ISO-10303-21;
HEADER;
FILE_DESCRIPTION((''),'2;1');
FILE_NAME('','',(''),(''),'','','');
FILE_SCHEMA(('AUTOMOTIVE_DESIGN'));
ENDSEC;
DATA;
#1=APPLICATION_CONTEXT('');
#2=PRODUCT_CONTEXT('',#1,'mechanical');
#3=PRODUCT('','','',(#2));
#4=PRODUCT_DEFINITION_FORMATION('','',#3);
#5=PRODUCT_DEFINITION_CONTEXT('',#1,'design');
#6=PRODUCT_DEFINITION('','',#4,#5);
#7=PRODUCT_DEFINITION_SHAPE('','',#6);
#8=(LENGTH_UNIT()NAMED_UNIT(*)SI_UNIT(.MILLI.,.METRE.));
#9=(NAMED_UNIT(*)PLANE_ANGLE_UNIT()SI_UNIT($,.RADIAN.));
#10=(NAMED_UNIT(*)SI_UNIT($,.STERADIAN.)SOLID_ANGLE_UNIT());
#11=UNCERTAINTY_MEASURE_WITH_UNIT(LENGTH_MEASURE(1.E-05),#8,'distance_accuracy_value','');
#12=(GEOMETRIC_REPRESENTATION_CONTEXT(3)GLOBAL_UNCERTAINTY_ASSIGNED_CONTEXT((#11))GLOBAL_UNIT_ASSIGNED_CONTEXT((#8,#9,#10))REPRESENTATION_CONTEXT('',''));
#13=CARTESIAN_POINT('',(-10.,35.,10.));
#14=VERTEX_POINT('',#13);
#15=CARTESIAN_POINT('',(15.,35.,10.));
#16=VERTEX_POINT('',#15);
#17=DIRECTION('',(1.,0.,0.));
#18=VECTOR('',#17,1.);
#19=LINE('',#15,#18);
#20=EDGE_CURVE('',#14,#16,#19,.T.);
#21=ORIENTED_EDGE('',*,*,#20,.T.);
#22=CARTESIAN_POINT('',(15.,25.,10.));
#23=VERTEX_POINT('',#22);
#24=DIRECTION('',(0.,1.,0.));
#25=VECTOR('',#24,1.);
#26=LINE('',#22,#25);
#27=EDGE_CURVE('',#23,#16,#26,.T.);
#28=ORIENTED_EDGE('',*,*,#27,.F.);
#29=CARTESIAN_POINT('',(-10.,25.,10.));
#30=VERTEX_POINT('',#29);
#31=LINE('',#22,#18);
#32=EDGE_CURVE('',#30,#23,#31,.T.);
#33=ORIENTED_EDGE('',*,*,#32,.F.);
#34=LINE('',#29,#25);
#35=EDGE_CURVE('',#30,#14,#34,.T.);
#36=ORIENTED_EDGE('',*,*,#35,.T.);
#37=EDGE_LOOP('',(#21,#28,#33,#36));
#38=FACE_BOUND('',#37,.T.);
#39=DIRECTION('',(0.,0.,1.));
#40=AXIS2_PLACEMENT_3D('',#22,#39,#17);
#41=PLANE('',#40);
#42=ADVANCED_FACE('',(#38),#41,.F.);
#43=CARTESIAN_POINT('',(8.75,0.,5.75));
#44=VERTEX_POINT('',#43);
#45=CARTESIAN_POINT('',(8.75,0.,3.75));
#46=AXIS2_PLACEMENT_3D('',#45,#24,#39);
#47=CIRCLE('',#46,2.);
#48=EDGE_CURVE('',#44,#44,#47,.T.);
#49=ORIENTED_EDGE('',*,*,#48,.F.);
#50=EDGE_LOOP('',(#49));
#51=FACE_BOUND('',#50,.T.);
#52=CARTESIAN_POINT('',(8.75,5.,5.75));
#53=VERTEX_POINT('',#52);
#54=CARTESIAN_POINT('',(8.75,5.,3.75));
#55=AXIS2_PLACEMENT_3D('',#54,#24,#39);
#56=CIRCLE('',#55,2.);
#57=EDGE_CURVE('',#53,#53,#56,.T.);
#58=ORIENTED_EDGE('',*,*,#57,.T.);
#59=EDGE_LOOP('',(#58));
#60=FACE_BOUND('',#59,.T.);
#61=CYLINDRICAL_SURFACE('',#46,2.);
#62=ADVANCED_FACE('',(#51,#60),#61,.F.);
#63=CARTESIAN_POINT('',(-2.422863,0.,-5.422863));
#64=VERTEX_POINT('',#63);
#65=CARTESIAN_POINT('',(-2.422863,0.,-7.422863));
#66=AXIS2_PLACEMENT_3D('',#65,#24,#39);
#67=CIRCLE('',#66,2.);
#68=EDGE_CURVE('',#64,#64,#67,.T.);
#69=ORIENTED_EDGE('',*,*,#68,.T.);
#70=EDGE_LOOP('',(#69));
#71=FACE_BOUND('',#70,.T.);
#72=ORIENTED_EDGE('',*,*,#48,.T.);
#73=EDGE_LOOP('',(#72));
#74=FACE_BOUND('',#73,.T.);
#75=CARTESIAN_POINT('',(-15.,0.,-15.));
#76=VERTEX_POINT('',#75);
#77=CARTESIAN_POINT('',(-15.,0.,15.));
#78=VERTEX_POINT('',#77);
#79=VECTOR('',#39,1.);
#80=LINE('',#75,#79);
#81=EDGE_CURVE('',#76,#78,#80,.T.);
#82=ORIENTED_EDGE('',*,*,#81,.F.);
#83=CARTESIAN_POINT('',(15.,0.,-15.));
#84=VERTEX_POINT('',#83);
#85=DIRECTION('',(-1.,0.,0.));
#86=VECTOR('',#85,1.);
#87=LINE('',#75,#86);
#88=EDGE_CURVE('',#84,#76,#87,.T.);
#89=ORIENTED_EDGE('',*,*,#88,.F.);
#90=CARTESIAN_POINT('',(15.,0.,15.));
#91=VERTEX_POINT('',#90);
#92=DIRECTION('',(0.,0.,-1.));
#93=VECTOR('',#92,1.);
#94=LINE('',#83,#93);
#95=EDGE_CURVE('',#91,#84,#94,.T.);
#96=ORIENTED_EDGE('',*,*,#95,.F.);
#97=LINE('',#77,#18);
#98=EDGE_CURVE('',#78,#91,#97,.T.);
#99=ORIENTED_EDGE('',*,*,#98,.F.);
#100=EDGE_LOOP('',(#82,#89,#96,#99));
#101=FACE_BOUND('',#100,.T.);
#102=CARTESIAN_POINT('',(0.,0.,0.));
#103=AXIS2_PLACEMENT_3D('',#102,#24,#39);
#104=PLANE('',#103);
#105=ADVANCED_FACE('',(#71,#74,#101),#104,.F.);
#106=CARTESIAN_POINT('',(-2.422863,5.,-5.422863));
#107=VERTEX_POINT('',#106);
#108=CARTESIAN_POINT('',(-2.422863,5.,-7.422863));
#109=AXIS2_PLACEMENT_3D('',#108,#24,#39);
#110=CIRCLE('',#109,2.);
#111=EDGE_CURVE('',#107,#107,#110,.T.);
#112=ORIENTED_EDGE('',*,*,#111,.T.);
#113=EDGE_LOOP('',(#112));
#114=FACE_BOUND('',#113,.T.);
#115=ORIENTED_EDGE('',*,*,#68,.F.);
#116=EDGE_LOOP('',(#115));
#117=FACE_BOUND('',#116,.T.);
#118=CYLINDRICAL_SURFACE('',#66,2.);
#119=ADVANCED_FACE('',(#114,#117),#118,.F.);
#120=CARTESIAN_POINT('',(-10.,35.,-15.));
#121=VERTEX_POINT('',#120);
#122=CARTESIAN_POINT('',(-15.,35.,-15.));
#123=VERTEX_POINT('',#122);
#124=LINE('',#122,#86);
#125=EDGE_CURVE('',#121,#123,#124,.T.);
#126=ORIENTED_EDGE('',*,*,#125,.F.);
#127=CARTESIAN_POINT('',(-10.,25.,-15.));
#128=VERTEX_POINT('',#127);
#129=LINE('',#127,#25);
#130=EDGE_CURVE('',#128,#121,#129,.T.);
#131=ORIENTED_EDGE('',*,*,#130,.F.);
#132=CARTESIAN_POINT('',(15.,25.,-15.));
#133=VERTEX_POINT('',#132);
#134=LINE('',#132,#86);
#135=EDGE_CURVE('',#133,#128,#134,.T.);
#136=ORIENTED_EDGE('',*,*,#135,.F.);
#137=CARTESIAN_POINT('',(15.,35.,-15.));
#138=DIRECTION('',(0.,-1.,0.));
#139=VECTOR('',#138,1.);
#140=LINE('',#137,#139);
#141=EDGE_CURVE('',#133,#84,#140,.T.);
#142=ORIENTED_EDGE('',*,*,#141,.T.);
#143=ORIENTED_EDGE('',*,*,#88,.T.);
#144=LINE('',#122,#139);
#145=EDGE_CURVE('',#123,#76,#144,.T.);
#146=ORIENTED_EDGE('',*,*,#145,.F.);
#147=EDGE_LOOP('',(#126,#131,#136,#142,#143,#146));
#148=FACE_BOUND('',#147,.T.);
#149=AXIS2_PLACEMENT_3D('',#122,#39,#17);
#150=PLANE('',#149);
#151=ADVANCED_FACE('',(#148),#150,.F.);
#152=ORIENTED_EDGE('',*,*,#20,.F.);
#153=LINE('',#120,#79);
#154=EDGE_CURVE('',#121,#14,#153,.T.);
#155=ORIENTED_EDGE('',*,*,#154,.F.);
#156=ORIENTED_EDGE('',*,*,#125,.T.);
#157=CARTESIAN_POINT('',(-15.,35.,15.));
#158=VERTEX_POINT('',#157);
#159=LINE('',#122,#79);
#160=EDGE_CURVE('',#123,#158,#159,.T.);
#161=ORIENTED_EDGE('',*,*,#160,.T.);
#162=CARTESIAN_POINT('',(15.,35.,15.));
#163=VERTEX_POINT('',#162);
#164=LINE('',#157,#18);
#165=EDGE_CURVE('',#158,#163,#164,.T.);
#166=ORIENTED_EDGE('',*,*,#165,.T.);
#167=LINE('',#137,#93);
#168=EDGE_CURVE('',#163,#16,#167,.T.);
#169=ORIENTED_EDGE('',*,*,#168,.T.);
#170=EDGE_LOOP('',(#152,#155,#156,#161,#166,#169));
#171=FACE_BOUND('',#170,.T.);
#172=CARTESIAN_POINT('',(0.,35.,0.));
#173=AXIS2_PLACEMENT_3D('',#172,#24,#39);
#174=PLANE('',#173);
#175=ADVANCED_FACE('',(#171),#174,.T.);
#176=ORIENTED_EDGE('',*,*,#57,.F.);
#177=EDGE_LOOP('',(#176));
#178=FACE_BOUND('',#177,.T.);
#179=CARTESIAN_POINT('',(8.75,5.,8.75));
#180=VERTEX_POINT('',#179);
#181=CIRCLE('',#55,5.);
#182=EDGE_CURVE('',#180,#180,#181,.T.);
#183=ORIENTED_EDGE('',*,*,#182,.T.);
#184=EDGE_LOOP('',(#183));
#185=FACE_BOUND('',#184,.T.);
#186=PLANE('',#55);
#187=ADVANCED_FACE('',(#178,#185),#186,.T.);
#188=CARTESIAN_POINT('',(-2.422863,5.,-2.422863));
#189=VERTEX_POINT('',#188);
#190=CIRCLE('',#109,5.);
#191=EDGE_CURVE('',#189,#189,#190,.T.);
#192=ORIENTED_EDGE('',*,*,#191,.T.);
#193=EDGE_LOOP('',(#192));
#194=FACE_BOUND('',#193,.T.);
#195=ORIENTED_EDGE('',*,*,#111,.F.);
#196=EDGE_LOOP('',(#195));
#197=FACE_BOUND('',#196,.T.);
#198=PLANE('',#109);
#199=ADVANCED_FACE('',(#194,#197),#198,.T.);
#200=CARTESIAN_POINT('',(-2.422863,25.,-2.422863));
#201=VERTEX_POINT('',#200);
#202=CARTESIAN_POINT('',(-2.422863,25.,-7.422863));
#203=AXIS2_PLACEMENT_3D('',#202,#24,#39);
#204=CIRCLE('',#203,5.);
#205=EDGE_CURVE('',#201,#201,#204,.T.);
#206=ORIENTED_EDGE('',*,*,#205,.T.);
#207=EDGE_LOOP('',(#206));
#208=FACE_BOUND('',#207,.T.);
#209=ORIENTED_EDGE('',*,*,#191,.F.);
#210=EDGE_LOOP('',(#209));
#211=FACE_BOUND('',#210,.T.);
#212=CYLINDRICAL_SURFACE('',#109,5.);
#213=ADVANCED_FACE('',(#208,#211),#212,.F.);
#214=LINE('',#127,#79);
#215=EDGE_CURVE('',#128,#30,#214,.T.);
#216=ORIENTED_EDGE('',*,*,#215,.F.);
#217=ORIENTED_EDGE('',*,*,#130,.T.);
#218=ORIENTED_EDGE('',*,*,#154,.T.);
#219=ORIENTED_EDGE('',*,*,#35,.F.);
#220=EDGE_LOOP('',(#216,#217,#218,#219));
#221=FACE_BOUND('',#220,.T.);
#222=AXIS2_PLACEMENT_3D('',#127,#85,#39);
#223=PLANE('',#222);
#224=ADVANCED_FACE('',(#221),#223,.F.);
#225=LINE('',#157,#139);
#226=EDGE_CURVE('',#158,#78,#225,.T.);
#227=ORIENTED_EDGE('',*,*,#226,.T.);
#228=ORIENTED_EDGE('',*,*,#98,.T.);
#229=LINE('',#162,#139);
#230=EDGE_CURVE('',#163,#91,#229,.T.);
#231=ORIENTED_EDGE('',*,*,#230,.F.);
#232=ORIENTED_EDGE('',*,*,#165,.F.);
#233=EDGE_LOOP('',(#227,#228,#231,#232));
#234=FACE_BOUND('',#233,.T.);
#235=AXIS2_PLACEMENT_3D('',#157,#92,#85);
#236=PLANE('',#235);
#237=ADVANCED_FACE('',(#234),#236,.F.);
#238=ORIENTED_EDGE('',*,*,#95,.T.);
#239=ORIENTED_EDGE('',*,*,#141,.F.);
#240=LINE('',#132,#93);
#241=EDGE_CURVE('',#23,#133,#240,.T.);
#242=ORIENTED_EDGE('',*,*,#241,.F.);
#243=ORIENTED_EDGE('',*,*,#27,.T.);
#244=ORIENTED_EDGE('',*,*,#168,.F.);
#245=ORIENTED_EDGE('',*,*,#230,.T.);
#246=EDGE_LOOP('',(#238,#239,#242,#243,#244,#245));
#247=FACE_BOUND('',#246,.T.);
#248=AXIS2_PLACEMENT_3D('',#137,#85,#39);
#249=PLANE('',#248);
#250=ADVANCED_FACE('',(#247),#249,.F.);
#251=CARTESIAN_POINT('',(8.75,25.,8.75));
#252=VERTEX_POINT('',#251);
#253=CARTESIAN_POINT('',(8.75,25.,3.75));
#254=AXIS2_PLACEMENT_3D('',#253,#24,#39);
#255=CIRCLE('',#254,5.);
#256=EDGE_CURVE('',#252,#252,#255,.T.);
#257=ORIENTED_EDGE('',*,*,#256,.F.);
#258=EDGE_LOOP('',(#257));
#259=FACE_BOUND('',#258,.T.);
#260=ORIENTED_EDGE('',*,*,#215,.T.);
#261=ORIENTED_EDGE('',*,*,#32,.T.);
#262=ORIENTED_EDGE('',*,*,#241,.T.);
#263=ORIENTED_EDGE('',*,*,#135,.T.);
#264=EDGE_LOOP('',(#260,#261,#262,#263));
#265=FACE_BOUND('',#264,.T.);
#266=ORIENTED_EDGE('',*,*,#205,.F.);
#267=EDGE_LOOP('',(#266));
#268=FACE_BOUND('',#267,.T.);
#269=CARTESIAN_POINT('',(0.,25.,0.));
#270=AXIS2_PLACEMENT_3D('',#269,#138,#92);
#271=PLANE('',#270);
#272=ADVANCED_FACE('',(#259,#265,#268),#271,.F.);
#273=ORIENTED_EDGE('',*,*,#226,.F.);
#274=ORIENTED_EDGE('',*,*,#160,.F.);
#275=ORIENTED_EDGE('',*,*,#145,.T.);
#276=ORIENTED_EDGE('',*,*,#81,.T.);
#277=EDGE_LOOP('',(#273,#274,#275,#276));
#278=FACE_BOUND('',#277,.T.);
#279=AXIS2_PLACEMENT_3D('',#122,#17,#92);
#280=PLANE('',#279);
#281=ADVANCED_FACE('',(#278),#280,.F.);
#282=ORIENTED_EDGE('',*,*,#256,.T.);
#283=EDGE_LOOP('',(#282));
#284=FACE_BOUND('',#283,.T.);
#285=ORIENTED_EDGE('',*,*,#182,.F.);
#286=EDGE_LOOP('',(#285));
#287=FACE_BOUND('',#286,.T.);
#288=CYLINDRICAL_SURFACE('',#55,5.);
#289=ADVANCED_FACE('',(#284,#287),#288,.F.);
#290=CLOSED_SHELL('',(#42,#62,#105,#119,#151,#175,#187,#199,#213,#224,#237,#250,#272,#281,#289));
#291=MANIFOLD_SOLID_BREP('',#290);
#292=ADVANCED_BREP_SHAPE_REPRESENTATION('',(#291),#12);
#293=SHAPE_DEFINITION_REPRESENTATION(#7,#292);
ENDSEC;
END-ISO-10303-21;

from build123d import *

# Parameters (mm, degrees)
SKETCH1_W           = 30
SKETCH1_H           = 30
BOSS_EXTRUDE2_DEPTH = 35
SKETCH2_W           = 25
SKETCH2_H           = 25
CUT_EXTRUDE1_DEPTH  = 10
SKETCH3_R           = 5
SKETCH3_R_2         = 2
CUT_EXTRUDE4_DEPTH  = 20
SKETCH5_R           = 2
CUT_EXTRUDE5_DEPTH  = 25


with BuildPart() as part:
    # Sketch1 → Boss-Extrude2 (new body)
    with BuildSketch(Plane(origin=(0, 0, 0), x_dir=(1, 0, 0), z_dir=(0, 1, 0))):
        Rectangle(SKETCH1_W, SKETCH1_H)
    extrude(amount=BOSS_EXTRUDE2_DEPTH)

    # Sketch2 → Cut-Extrude1 (cut)
    with BuildSketch(Plane(origin=(0, 35, 0), x_dir=(1, 0, 0), z_dir=(0, 1, 0))):
        with Locations((2.5, 2.5)):
            Rectangle(SKETCH2_W, SKETCH2_H)
    extrude(amount=-CUT_EXTRUDE1_DEPTH, mode=Mode.SUBTRACT)

    # Sketch3 → Cut-Extrude4 (cut)
    # profile 1 of 2: a face of its own
    with BuildSketch(Plane(origin=(0, 25, 0), x_dir=(1, 0, 0), z_dir=(0, 1, 0))):
        with Locations(Location((-2.422862762, 7.422862762, 0), (0, 0, 270))):
            Circle(SKETCH3_R)
        with Locations(Location((-2.422862762, 7.422862762, 0), (0, 0, 270))):
            Circle(SKETCH3_R_2, mode=Mode.SUBTRACT)
    # profile 2 of 2: a face of its own
    with BuildSketch(Plane(origin=(0, 25, 0), x_dir=(1, 0, 0), z_dir=(0, 1, 0))):
        with Locations(Location((8.75, -3.75, 0), (0, 0, 270))):
            Circle(SKETCH3_R)
        with Locations(Location((8.75, -3.75, 0), (0, 0, 270))):
            Circle(SKETCH3_R_2, mode=Mode.SUBTRACT)
    extrude(amount=-CUT_EXTRUDE4_DEPTH, mode=Mode.SUBTRACT)

    # Sketch5 → Cut-Extrude5 (cut)
    with BuildSketch(Plane(origin=(0, 25, 0), x_dir=(1, 0, 0), z_dir=(0, 1, 0))):
        with Locations(Location((-2.422862762, 7.422862762, 0), (0, 0, 270))):
            Circle(SKETCH5_R)
        with Locations(Location((8.75, -3.75, 0), (0, 0, 270))):
            Circle(SKETCH5_R)
    extrude(amount=-CUT_EXTRUDE5_DEPTH, mode=Mode.SUBTRACT)


solid = part.part
